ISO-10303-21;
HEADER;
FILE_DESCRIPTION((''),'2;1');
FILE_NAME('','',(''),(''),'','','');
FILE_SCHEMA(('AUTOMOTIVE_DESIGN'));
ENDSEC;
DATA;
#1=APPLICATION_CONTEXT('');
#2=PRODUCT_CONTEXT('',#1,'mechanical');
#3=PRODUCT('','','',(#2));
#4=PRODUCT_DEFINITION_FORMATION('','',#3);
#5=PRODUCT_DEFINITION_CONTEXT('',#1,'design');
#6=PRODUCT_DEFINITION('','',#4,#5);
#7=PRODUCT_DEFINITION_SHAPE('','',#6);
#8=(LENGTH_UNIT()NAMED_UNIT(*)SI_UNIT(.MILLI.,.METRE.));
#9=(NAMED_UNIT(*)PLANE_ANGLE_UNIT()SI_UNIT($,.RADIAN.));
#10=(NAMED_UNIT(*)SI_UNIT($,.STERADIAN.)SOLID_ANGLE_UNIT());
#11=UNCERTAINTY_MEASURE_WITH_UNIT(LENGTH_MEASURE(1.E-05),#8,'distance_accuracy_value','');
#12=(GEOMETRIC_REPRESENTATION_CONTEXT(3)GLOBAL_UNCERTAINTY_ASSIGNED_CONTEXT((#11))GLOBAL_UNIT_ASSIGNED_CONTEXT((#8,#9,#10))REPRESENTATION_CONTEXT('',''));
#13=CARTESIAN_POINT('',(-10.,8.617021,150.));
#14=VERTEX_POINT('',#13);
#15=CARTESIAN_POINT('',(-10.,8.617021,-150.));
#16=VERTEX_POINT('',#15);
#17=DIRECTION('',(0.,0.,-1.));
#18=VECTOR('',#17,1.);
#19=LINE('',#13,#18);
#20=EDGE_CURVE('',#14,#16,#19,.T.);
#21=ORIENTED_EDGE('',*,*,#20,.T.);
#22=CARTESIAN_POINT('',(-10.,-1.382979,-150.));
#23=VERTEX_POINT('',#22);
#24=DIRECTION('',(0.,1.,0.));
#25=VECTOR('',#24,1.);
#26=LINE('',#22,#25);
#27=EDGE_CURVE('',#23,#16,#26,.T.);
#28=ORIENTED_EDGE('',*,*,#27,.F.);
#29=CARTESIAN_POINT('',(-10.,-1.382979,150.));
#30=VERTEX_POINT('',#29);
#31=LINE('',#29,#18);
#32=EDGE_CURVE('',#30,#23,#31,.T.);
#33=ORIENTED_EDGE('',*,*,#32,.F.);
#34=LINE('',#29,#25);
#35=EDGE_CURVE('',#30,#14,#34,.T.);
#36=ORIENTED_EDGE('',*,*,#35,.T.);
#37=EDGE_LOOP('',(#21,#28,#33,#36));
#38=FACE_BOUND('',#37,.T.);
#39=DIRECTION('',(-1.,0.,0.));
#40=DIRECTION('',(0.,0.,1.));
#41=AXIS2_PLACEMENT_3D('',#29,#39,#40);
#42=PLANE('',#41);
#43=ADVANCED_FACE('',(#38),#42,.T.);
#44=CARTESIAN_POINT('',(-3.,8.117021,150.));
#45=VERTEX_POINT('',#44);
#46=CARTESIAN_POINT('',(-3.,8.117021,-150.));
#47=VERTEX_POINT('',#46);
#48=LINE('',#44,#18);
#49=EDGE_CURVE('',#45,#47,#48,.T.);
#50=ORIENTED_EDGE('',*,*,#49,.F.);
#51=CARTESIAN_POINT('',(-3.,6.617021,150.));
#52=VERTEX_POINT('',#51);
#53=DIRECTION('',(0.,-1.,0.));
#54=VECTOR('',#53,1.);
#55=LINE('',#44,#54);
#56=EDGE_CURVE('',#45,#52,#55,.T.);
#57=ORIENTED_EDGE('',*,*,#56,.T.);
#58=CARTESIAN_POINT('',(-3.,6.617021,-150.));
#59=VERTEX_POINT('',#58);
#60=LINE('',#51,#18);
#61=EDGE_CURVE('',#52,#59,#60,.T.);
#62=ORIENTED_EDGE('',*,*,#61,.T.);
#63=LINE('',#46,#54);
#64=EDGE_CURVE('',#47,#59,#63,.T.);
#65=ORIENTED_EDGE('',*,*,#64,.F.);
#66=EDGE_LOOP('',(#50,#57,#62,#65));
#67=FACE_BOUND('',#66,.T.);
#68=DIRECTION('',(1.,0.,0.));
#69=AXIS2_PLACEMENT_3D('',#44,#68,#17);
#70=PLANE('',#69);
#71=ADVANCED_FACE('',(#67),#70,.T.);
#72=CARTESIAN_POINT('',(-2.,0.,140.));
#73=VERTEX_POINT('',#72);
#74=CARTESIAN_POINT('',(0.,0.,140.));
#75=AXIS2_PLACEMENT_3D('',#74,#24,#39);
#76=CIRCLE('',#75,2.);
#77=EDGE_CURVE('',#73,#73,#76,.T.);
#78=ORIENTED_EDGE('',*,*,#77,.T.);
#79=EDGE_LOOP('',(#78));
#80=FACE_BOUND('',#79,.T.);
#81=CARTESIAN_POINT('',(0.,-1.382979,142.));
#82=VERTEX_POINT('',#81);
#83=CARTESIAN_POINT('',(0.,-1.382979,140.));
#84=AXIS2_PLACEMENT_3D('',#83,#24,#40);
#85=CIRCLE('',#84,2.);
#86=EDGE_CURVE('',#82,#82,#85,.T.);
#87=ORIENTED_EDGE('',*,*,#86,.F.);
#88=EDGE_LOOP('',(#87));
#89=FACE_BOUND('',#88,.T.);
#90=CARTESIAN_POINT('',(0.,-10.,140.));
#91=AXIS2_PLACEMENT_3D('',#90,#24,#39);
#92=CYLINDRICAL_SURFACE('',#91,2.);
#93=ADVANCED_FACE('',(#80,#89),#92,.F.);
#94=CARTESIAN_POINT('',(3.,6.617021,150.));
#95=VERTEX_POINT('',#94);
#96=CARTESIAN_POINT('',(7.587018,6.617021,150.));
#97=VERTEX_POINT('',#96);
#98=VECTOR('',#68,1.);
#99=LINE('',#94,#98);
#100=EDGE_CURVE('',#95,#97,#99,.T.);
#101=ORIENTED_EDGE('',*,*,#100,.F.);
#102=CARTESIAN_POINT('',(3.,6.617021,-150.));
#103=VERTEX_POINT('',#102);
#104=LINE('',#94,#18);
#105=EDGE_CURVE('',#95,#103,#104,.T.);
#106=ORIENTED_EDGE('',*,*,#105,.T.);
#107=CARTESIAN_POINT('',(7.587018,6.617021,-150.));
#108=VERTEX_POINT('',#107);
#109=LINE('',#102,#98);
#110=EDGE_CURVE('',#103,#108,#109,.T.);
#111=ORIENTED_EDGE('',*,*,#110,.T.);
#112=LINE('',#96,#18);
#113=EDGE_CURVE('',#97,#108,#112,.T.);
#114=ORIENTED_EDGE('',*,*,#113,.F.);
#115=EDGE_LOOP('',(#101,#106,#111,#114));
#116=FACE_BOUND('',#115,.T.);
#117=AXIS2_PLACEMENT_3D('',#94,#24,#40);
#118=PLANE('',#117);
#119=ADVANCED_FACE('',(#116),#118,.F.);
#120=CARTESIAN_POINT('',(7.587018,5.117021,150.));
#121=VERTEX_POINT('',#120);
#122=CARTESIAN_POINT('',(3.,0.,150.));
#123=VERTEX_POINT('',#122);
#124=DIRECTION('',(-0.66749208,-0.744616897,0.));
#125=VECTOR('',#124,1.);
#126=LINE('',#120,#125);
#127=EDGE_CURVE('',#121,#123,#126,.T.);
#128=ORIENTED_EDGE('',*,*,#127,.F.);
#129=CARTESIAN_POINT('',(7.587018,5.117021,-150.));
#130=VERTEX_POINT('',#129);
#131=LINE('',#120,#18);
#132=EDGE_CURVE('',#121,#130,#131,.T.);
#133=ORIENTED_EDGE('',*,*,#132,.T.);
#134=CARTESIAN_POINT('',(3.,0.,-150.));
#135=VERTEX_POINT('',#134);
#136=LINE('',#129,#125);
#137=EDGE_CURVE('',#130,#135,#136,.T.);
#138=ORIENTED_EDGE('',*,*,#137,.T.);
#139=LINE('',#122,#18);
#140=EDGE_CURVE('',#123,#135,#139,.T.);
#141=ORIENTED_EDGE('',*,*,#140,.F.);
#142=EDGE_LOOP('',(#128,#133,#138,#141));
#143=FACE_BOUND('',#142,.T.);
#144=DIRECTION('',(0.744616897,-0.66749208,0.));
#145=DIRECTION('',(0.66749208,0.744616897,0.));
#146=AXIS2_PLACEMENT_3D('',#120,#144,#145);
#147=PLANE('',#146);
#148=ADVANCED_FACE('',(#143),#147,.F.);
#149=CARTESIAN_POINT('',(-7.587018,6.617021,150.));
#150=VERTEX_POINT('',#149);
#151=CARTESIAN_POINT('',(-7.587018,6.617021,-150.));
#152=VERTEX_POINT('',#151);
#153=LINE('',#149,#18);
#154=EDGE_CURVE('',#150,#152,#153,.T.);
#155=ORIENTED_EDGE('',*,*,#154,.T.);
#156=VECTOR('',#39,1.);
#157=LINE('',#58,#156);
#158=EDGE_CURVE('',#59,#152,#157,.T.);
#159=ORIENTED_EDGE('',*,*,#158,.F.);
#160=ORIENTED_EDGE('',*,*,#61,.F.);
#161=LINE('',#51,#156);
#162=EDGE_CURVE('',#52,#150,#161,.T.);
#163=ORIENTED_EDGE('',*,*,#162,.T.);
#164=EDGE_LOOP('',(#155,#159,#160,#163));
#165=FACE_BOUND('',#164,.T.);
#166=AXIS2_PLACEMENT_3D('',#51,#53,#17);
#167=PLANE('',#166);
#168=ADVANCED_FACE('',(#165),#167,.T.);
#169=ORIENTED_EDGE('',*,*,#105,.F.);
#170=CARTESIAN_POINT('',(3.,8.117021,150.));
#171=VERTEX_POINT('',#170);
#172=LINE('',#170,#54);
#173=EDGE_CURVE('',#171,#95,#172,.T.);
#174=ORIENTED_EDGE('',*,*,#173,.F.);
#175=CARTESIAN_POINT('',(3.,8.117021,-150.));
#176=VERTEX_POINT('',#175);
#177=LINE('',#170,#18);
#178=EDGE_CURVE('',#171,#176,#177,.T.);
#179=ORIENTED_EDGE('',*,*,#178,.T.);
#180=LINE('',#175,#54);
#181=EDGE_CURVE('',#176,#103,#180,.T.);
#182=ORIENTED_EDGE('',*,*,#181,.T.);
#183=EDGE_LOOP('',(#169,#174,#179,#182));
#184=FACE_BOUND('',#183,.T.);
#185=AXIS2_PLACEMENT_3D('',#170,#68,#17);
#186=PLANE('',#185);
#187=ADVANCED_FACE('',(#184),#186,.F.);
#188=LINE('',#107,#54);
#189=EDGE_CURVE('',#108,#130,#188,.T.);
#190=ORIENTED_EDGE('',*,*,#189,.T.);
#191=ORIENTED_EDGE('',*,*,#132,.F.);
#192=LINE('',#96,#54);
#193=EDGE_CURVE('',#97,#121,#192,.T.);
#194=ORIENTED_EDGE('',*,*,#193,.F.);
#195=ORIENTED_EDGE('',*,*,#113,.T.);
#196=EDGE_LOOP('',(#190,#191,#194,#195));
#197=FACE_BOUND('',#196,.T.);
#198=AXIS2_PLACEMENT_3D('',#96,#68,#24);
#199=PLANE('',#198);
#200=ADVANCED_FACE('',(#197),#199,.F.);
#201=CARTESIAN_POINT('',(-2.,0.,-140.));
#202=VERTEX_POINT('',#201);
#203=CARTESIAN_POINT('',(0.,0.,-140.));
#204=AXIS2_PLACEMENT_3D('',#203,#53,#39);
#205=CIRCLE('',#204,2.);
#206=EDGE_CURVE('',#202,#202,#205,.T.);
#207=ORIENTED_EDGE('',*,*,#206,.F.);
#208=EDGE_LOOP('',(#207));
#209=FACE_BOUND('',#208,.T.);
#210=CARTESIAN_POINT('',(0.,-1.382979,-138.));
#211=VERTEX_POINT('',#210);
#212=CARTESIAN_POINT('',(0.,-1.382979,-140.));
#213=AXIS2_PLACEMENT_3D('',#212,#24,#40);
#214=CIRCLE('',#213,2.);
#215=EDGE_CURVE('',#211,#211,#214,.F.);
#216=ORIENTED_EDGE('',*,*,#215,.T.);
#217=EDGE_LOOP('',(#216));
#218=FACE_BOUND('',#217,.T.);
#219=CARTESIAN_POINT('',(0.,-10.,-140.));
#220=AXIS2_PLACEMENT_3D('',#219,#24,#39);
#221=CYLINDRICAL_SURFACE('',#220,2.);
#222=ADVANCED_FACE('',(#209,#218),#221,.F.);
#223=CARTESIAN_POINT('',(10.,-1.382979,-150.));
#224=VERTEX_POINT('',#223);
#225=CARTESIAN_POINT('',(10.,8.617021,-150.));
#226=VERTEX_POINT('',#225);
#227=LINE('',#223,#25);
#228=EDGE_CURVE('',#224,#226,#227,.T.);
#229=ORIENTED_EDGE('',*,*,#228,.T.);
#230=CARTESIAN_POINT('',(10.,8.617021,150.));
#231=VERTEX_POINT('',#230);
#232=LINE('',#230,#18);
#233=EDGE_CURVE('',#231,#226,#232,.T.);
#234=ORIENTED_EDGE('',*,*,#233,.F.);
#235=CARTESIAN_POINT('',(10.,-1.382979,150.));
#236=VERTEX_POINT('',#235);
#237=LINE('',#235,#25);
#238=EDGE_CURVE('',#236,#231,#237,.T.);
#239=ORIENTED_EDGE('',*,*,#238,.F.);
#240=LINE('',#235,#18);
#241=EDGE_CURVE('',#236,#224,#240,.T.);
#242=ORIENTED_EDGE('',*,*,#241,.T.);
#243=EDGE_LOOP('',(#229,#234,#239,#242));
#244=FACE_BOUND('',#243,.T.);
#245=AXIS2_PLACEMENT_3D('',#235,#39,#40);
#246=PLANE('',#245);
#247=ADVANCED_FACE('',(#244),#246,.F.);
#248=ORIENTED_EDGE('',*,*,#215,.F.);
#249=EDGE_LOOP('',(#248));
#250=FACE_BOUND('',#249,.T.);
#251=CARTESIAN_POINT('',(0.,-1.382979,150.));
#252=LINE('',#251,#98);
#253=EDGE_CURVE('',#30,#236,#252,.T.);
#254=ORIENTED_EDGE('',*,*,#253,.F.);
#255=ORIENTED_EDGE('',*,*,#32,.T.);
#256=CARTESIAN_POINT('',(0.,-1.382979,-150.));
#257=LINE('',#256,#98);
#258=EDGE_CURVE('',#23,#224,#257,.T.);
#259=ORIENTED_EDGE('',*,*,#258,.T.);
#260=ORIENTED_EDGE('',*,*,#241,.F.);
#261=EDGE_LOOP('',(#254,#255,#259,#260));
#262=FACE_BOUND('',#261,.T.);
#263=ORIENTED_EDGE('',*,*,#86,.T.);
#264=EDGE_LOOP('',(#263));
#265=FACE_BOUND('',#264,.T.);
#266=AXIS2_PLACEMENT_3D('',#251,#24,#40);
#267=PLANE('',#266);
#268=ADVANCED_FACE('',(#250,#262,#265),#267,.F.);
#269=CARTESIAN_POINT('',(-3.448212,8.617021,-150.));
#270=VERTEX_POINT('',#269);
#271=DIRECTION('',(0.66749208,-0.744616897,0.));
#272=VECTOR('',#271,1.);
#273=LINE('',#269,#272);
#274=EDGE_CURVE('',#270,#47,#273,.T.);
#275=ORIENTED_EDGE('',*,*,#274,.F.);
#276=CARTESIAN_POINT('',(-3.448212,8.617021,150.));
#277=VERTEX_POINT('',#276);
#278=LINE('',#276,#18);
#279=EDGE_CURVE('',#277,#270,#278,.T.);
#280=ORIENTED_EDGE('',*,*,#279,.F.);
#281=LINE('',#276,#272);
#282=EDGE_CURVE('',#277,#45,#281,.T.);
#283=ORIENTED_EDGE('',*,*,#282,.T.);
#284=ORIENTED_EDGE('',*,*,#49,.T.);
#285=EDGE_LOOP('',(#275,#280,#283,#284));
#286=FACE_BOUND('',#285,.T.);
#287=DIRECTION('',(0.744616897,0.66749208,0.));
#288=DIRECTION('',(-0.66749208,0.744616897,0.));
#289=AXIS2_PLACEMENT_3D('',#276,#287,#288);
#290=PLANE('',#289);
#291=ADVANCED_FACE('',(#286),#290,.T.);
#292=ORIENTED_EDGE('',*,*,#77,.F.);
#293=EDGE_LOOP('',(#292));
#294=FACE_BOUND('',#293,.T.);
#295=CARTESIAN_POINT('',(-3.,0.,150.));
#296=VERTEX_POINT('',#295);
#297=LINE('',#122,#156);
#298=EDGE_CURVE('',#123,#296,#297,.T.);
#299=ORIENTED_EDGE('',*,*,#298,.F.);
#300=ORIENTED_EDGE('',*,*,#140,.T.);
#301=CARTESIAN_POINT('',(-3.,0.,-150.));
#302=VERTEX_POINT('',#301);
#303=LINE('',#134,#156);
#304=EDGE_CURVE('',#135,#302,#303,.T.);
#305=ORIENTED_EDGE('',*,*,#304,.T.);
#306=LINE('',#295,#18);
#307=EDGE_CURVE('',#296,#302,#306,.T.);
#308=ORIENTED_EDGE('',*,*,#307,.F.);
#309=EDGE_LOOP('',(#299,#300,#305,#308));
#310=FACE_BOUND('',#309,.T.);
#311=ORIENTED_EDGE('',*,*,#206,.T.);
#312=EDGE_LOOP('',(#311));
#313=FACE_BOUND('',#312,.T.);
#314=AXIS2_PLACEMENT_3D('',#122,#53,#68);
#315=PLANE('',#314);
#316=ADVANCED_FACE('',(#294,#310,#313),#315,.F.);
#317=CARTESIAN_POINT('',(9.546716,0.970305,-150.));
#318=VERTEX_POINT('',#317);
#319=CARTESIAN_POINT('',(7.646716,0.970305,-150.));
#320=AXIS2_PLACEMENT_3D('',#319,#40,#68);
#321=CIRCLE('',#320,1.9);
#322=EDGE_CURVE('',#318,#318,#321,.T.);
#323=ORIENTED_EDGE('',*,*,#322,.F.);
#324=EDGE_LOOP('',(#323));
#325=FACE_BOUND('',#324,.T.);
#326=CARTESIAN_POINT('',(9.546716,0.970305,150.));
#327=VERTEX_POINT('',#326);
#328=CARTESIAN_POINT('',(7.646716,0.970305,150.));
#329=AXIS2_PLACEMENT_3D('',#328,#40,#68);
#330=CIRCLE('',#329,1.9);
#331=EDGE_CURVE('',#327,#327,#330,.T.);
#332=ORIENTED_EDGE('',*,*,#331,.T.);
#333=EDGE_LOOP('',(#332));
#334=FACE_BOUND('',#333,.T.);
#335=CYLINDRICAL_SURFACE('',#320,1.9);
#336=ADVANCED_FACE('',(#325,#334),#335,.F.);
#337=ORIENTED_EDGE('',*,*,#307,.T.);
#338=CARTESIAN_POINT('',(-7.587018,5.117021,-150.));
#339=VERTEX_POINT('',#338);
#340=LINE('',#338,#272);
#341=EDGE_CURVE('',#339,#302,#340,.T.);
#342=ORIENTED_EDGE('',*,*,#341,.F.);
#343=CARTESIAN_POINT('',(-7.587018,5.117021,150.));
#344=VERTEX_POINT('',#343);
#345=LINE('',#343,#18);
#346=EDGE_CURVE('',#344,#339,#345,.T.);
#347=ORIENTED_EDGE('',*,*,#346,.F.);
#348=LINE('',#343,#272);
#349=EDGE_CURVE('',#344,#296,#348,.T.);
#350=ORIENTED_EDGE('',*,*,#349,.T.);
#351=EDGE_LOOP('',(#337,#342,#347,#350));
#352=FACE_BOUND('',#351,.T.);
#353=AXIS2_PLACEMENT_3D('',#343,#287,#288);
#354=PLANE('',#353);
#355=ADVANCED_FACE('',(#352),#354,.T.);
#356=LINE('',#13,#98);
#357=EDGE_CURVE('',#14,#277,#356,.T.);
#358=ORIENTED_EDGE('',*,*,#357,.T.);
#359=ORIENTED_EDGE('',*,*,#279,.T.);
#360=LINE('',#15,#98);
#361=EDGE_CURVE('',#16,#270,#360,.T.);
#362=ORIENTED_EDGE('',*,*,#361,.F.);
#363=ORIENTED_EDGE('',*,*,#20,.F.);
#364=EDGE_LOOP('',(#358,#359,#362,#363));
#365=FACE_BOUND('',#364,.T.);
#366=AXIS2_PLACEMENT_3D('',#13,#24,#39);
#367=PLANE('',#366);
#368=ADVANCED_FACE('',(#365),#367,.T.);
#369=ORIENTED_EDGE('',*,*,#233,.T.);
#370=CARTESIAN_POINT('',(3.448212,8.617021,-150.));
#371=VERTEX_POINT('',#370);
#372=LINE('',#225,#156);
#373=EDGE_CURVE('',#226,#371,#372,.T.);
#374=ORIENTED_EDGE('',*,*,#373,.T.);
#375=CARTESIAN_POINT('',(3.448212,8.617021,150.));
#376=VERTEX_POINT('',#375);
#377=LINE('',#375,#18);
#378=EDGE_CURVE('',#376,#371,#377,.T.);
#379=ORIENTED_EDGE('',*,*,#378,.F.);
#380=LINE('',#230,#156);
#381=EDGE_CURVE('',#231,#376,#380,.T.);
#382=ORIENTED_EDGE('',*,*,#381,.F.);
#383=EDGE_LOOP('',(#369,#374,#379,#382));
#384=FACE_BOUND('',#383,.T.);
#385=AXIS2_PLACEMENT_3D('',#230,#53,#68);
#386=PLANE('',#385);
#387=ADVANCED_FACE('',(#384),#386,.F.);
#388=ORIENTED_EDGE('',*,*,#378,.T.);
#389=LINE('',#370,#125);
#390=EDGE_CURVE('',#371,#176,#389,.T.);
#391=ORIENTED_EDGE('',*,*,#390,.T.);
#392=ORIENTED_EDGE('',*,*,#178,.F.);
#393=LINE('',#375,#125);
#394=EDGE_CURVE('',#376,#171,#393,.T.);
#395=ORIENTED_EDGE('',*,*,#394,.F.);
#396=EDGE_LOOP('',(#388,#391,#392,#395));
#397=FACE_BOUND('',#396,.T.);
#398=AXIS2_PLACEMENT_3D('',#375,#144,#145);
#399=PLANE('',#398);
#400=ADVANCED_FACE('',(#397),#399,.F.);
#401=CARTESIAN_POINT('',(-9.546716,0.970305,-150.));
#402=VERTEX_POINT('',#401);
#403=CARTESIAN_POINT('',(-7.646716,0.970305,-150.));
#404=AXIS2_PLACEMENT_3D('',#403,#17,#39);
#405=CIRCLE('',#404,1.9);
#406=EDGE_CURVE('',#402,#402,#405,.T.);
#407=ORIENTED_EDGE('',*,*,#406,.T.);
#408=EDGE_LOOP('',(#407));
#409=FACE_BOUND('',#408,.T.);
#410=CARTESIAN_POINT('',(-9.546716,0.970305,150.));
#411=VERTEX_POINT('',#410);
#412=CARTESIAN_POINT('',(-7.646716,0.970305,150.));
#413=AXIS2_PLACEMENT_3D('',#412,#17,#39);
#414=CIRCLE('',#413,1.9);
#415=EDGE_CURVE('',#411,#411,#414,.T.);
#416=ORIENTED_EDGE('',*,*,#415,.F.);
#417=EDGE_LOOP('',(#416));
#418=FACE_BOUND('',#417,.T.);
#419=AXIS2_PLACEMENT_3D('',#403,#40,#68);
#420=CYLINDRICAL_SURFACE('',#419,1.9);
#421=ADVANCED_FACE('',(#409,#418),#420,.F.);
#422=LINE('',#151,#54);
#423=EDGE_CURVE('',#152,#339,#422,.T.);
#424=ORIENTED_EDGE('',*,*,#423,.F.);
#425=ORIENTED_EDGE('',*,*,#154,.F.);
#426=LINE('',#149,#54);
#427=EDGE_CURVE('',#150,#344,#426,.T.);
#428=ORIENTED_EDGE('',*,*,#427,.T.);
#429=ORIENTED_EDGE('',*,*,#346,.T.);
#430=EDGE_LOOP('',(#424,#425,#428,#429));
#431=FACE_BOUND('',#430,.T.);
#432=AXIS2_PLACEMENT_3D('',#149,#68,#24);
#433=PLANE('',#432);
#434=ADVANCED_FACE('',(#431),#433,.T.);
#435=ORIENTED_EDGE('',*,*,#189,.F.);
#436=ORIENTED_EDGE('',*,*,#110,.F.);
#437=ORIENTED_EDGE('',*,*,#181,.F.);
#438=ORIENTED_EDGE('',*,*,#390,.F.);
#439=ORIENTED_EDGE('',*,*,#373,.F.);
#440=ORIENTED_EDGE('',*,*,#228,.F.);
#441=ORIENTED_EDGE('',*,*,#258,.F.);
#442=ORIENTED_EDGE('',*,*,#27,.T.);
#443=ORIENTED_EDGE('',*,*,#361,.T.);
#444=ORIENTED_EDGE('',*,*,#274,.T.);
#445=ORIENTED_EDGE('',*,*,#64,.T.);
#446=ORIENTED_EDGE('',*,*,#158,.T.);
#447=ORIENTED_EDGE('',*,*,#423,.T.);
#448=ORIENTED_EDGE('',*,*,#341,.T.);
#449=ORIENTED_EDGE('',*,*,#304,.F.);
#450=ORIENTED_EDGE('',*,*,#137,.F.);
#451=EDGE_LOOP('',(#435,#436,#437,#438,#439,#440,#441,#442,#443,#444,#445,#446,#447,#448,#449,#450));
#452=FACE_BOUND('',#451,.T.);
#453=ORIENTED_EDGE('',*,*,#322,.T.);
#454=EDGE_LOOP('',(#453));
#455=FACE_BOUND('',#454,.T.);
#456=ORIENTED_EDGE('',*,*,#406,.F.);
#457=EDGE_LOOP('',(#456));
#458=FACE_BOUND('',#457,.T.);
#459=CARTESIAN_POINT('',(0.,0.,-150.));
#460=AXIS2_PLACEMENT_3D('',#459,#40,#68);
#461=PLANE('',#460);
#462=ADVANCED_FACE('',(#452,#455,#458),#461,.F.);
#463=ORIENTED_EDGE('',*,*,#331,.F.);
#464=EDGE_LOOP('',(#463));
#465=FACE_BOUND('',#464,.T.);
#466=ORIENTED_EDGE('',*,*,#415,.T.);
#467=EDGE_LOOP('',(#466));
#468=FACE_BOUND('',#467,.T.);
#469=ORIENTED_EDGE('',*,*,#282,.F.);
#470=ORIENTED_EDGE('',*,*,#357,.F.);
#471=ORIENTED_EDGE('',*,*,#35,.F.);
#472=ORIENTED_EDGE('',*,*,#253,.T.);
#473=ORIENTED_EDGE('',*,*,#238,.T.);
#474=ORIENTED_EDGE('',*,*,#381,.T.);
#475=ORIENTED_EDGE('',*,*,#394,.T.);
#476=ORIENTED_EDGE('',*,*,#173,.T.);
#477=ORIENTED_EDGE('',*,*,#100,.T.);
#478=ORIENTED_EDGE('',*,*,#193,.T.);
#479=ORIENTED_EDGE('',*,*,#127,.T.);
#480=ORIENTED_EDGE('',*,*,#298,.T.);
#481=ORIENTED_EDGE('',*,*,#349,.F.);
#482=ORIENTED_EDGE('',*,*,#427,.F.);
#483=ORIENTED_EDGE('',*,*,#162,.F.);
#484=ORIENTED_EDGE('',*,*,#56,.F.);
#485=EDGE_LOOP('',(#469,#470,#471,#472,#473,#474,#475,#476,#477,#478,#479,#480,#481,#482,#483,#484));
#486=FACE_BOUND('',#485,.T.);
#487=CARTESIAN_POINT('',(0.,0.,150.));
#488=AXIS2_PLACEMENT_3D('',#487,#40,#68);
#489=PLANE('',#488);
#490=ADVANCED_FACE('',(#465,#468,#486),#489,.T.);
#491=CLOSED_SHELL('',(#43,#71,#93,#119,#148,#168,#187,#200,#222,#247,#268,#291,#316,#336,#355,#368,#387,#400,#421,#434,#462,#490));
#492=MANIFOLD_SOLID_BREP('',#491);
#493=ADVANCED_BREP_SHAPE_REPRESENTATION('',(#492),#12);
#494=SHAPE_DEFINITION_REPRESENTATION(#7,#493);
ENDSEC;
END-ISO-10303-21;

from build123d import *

# Parameters (mm, degrees)
BOSS_EXTRUDE1_DEPTH = 150
SKETCH2_R           = 1.9
CUT_EXTRUDE1_DEPTH  = 301.290281321
SKETCH3_R           = 2
CUT_EXTRUDE2_DEPTH  = 10


with BuildPart() as part:
    # Sketch1 → Boss-Extrude1 (new, symmetric)
    with BuildSketch(Plane.XY):
        Polygon((0, 0), (0, -1.382978723), (10, -1.382978723), (10, 8.617021277), (3.448211747, 8.617021277), (3, 8.117021277), (3, 6.617021277), (7.587018089, 6.617021277), (7.587018089, 5.117021277), (3, 0), align=None)
    boss_extrude1 = extrude(amount=BOSS_EXTRUDE1_DEPTH, both=True)

    # Mirror1: Boss-Extrude1 across plane
    add(boss_extrude1.mirror(Plane(origin=(0, 0, 0), x_dir=(0, 0, 1), z_dir=(1, 0, 0))))

    # Sketch2 → Cut-Extrude1 (cut, through all)
    with BuildSketch(Plane.XY.offset(150)):
        with Locations((7.646716257, 0.97030502)):
            Circle(SKETCH2_R)
    cut_extrude1 = extrude(amount=-CUT_EXTRUDE1_DEPTH, mode=Mode.SUBTRACT)

    # Mirror2: Cut-Extrude1 across plane
    add(cut_extrude1.mirror(Plane(origin=(0, 0, 0), x_dir=(0, 0, 1), z_dir=(1, 0, 0))), mode=Mode.SUBTRACT)

    # Sketch3 → Cut-Extrude2 (cut)
    with BuildSketch(Plane(origin=(0, 0, 0), x_dir=(1, 0, 0), z_dir=(0, 1, 0))):
        with Locations(Location((0, -140, 0), (0, 0, 180))):
            Circle(SKETCH3_R)
    cut_extrude2 = extrude(amount=-CUT_EXTRUDE2_DEPTH, mode=Mode.SUBTRACT)

    # Mirror3: Cut-Extrude2 across plane
    add(cut_extrude2.mirror(Plane.XY), mode=Mode.SUBTRACT)


solid = part.part
